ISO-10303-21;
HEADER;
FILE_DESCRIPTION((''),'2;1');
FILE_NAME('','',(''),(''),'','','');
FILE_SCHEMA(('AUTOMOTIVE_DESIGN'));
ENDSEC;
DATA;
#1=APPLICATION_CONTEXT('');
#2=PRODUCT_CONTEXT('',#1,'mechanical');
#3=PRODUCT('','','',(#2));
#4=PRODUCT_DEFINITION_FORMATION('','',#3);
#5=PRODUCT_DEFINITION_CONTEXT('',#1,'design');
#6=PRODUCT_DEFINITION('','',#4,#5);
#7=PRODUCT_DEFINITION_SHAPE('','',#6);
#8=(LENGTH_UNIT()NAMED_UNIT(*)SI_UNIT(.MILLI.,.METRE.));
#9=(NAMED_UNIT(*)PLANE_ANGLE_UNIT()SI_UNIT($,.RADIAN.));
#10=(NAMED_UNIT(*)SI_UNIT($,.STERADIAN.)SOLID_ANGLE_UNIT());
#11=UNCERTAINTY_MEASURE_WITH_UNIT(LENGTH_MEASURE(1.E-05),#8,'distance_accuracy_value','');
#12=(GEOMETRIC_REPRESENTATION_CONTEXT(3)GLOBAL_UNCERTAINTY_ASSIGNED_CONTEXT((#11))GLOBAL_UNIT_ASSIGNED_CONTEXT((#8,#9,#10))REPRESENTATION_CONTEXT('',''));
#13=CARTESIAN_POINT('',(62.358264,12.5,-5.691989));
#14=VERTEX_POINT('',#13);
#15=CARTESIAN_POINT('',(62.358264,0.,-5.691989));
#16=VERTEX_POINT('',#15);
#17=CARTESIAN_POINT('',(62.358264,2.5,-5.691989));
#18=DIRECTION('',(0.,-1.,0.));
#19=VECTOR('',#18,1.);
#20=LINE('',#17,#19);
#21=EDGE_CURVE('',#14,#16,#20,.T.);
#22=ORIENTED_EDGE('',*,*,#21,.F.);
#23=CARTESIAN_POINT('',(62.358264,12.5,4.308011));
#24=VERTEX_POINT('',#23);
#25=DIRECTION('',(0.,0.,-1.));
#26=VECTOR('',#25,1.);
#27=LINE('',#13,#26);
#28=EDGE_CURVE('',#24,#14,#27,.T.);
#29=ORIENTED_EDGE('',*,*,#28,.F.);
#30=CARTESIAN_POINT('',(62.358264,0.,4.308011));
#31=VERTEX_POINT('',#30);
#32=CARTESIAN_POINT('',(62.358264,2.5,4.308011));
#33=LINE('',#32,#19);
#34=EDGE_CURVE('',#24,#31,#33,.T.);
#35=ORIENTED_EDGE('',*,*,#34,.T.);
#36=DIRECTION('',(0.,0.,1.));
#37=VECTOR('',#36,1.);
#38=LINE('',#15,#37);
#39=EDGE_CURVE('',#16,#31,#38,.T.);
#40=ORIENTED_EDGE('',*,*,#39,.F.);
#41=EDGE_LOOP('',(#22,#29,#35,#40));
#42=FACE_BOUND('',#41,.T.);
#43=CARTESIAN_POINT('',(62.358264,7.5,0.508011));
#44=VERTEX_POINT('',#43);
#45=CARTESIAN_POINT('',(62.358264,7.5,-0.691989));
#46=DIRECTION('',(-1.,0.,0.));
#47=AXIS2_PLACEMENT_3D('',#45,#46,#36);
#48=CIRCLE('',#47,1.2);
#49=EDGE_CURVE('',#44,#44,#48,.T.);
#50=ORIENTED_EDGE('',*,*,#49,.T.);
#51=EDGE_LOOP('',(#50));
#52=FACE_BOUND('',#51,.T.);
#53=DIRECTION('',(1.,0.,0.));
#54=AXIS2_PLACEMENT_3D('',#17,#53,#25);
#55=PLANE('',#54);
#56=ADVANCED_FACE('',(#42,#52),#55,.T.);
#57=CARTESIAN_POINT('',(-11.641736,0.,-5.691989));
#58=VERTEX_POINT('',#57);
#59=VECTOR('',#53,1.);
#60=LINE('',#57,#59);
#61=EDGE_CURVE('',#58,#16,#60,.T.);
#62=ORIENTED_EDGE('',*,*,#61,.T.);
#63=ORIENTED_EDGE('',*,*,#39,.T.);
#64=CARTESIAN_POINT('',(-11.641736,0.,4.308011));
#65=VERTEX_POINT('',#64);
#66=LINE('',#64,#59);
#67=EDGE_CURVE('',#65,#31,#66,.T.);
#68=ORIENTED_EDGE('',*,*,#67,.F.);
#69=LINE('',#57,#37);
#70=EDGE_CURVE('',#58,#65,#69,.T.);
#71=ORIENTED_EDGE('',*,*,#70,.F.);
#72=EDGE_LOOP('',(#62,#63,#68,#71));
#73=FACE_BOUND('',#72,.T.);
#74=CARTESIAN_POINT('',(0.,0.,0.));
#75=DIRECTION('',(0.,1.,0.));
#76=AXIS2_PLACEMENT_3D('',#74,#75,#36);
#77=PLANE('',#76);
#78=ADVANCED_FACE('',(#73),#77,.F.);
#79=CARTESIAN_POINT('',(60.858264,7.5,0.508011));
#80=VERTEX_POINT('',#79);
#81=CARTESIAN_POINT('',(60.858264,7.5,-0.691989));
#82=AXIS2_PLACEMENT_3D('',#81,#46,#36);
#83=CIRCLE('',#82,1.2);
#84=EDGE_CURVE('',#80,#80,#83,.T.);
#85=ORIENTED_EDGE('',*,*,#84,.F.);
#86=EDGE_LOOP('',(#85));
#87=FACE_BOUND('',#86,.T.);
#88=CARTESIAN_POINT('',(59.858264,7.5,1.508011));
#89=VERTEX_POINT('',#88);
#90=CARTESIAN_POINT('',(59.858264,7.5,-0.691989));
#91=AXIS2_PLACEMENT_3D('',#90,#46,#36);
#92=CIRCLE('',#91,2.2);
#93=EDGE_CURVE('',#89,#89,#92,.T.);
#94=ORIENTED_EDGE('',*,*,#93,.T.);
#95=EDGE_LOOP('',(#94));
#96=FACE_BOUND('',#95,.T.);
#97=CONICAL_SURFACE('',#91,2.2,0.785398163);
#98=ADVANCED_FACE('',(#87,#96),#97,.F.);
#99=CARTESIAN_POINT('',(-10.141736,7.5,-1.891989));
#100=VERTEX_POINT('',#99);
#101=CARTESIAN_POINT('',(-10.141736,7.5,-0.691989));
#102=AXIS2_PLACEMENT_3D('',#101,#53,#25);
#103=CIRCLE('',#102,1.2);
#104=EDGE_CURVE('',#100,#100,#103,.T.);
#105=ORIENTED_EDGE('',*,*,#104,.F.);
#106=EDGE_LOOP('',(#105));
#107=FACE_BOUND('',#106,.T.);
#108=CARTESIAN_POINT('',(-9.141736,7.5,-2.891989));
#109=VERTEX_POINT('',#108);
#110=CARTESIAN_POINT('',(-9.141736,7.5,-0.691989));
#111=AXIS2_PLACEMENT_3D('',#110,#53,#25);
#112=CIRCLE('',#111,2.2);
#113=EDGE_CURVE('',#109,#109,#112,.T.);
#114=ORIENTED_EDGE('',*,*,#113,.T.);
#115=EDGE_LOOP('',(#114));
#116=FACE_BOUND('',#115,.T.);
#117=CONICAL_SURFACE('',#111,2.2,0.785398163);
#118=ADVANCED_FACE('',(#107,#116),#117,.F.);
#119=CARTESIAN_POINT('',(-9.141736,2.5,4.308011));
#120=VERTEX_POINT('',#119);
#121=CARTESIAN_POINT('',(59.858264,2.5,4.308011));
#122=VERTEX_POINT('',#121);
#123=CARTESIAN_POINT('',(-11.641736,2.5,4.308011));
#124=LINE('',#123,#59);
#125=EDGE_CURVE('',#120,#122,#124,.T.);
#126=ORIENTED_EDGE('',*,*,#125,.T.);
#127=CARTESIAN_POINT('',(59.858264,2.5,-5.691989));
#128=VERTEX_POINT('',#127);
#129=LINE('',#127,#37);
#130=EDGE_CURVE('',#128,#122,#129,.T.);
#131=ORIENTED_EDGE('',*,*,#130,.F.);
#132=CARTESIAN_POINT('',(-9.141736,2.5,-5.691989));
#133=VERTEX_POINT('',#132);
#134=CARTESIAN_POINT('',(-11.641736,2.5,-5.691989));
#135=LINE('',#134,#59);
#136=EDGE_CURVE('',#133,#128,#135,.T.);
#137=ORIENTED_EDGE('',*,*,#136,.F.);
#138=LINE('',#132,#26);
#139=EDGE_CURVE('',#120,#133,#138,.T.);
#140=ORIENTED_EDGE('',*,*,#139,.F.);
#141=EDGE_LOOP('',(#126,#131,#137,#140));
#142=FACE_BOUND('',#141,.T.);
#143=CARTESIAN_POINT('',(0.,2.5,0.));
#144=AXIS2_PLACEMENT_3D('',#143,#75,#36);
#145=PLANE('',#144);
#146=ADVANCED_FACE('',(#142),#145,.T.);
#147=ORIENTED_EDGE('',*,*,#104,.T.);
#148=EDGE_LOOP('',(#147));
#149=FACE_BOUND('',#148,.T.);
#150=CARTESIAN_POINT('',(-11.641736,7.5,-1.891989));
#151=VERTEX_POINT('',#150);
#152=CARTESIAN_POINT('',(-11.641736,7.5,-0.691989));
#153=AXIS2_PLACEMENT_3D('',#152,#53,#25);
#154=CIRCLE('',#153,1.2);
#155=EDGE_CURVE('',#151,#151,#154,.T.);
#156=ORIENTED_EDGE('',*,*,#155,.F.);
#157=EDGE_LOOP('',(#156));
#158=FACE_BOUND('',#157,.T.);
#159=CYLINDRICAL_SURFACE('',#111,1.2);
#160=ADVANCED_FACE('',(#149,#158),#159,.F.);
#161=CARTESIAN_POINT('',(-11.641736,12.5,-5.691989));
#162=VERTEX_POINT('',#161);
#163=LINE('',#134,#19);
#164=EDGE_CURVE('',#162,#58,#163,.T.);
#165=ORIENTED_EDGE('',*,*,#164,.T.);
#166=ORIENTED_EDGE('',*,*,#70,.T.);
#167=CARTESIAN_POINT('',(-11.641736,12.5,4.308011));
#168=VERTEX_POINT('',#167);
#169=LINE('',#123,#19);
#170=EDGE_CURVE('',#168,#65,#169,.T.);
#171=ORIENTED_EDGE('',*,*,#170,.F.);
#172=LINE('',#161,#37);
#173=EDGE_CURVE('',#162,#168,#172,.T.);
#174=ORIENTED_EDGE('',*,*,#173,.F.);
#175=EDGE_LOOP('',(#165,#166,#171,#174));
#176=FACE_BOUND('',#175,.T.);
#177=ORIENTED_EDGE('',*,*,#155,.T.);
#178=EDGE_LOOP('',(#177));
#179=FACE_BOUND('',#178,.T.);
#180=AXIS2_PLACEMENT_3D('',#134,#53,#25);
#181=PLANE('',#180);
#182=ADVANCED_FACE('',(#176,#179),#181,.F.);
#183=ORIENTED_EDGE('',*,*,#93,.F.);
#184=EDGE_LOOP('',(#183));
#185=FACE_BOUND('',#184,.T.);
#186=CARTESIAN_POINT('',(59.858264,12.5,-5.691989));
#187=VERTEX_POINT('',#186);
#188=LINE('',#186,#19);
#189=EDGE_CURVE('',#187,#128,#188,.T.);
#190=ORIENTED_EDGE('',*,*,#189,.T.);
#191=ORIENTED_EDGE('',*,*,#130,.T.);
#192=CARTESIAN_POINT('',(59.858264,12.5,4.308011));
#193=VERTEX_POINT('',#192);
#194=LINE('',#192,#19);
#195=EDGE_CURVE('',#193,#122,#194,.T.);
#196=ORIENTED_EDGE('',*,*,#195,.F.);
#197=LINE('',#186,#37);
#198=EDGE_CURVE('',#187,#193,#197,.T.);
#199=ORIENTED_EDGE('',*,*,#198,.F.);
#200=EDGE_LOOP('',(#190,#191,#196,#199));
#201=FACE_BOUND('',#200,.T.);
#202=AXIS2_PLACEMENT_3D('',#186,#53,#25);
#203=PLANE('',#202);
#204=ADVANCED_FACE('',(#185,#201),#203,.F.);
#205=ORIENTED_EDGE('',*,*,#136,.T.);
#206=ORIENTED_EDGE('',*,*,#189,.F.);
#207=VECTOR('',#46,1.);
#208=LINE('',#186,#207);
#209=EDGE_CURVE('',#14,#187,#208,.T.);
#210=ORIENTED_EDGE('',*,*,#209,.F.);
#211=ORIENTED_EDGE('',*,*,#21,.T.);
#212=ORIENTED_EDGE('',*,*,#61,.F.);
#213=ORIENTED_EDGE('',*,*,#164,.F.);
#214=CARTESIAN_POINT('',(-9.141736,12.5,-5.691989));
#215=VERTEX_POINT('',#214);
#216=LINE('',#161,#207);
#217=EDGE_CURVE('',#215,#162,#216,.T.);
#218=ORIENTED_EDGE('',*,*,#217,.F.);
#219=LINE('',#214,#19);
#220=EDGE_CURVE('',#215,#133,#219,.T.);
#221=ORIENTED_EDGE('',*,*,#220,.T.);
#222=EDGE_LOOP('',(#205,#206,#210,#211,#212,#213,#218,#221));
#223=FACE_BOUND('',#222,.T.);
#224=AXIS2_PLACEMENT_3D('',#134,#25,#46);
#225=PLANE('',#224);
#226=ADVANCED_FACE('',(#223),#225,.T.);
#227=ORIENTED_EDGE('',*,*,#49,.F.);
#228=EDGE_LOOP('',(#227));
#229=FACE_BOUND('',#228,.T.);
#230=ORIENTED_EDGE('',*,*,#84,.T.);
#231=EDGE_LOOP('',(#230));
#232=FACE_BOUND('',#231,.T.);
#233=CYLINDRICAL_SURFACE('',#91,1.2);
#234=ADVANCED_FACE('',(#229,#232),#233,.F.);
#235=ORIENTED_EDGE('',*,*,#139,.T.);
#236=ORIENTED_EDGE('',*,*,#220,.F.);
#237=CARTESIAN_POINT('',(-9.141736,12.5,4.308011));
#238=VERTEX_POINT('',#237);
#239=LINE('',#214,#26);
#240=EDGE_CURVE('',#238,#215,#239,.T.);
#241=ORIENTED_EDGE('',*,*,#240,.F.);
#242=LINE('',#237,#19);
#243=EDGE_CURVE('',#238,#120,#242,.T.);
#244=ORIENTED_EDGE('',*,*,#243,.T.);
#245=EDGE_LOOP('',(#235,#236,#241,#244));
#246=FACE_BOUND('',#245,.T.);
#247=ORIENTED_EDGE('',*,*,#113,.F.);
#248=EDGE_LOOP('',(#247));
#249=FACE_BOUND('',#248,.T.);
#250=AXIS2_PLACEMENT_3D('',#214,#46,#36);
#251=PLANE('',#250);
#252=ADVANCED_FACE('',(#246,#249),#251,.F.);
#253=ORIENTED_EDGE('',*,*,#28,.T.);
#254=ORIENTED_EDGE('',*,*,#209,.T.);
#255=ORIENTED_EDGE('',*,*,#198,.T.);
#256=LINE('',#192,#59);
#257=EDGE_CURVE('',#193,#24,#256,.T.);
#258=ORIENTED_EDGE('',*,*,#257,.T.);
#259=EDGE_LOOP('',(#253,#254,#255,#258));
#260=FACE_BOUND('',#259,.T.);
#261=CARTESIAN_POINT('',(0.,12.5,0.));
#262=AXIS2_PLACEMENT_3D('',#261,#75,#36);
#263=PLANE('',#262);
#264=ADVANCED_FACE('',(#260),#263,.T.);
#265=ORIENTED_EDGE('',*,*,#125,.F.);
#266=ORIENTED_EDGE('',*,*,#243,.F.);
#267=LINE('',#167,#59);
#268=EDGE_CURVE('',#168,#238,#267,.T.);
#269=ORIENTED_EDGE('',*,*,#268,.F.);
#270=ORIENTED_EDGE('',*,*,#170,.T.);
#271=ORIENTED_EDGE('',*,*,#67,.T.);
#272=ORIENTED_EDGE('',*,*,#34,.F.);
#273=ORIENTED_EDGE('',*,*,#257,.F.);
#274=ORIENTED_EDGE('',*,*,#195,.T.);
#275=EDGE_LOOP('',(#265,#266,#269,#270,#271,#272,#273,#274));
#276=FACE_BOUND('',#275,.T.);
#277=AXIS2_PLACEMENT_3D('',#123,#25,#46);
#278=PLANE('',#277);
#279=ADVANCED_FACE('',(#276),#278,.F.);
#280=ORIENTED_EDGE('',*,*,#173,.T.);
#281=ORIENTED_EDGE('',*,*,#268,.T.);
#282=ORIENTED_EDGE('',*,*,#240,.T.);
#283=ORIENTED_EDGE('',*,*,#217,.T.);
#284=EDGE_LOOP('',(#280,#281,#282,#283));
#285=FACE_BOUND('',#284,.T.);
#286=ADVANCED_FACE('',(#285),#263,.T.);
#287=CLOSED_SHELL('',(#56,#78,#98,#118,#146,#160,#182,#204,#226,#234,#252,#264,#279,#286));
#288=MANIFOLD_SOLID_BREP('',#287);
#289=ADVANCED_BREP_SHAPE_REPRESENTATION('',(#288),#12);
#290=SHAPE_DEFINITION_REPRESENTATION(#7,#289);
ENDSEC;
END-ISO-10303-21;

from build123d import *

# Parameters (mm, degrees)
SKETCH2_W                                       = 74
SKETCH2_H                                       = 10
BOSS_EXTRUDE1_DEPTH                             = 2.5
SKETCH3_W                                       = 2.5
SKETCH3_H                                       = 10
BOSS_EXTRUDE2_DEPTH                             = 10
CSK_FOR_M2_FLAT_HEAD_MACHINE_SCREW1_D           = 2.4
CSK_FOR_M2_FLAT_HEAD_MACHINE_SCREW1_DEPTH       = 2.5
CSK_FOR_M2_FLAT_HEAD_MACHINE_SCREW1_CSINK_D     = 4.4
CSK_FOR_M2_FLAT_HEAD_MACHINE_SCREW1_CSINK_ANGLE = 90
CSK_FOR_M2_FLAT_HEAD_MACHINE_SCREW2_D           = 2.4
CSK_FOR_M2_FLAT_HEAD_MACHINE_SCREW2_DEPTH       = 2.5
CSK_FOR_M2_FLAT_HEAD_MACHINE_SCREW2_CSINK_D     = 4.4
CSK_FOR_M2_FLAT_HEAD_MACHINE_SCREW2_CSINK_ANGLE = 90


with BuildPart() as part:
    # Sketch2 → Boss-Extrude1 (new body)
    with BuildSketch(Plane(origin=(0, 0, 0), x_dir=(1, 0, 0), z_dir=(0, 1, 0))):
        with Locations((25.358263924, 0.691988738)):
            Rectangle(SKETCH2_W, SKETCH2_H)
    extrude(amount=BOSS_EXTRUDE1_DEPTH)

    # Sketch3 → Boss-Extrude2 (add)
    with BuildSketch(Plane(origin=(0, 2.5, 0), x_dir=(1, 0, 0), z_dir=(0, 1, 0))):
        with Locations((-10.391736076, 0.691988738)):
            Rectangle(SKETCH3_W, SKETCH3_H)
        with Locations((61.108263924, 0.691988738)):
            Rectangle(SKETCH3_W, SKETCH3_H)
    extrude(amount=BOSS_EXTRUDE2_DEPTH)

    # CSK for M2 Flat Head Machine Screw1
    with Locations(Plane.ZY.offset(-59.858263924)):
        with Locations((-0.691988738, 7.5)):
            CounterSinkHole(CSK_FOR_M2_FLAT_HEAD_MACHINE_SCREW1_D / 2, CSK_FOR_M2_FLAT_HEAD_MACHINE_SCREW1_CSINK_D / 2, depth=CSK_FOR_M2_FLAT_HEAD_MACHINE_SCREW1_DEPTH, counter_sink_angle=CSK_FOR_M2_FLAT_HEAD_MACHINE_SCREW1_CSINK_ANGLE)

    # CSK for M2 Flat Head Machine Screw2
    with Locations(Plane(origin=(-9.141736076, 0, 0), x_dir=(0, 0, -1), z_dir=(1, 0, 0))):
        with Locations((0.691988738, 7.5)):
            CounterSinkHole(CSK_FOR_M2_FLAT_HEAD_MACHINE_SCREW2_D / 2, CSK_FOR_M2_FLAT_HEAD_MACHINE_SCREW2_CSINK_D / 2, depth=CSK_FOR_M2_FLAT_HEAD_MACHINE_SCREW2_DEPTH, counter_sink_angle=CSK_FOR_M2_FLAT_HEAD_MACHINE_SCREW2_CSINK_ANGLE)


solid = part.part
